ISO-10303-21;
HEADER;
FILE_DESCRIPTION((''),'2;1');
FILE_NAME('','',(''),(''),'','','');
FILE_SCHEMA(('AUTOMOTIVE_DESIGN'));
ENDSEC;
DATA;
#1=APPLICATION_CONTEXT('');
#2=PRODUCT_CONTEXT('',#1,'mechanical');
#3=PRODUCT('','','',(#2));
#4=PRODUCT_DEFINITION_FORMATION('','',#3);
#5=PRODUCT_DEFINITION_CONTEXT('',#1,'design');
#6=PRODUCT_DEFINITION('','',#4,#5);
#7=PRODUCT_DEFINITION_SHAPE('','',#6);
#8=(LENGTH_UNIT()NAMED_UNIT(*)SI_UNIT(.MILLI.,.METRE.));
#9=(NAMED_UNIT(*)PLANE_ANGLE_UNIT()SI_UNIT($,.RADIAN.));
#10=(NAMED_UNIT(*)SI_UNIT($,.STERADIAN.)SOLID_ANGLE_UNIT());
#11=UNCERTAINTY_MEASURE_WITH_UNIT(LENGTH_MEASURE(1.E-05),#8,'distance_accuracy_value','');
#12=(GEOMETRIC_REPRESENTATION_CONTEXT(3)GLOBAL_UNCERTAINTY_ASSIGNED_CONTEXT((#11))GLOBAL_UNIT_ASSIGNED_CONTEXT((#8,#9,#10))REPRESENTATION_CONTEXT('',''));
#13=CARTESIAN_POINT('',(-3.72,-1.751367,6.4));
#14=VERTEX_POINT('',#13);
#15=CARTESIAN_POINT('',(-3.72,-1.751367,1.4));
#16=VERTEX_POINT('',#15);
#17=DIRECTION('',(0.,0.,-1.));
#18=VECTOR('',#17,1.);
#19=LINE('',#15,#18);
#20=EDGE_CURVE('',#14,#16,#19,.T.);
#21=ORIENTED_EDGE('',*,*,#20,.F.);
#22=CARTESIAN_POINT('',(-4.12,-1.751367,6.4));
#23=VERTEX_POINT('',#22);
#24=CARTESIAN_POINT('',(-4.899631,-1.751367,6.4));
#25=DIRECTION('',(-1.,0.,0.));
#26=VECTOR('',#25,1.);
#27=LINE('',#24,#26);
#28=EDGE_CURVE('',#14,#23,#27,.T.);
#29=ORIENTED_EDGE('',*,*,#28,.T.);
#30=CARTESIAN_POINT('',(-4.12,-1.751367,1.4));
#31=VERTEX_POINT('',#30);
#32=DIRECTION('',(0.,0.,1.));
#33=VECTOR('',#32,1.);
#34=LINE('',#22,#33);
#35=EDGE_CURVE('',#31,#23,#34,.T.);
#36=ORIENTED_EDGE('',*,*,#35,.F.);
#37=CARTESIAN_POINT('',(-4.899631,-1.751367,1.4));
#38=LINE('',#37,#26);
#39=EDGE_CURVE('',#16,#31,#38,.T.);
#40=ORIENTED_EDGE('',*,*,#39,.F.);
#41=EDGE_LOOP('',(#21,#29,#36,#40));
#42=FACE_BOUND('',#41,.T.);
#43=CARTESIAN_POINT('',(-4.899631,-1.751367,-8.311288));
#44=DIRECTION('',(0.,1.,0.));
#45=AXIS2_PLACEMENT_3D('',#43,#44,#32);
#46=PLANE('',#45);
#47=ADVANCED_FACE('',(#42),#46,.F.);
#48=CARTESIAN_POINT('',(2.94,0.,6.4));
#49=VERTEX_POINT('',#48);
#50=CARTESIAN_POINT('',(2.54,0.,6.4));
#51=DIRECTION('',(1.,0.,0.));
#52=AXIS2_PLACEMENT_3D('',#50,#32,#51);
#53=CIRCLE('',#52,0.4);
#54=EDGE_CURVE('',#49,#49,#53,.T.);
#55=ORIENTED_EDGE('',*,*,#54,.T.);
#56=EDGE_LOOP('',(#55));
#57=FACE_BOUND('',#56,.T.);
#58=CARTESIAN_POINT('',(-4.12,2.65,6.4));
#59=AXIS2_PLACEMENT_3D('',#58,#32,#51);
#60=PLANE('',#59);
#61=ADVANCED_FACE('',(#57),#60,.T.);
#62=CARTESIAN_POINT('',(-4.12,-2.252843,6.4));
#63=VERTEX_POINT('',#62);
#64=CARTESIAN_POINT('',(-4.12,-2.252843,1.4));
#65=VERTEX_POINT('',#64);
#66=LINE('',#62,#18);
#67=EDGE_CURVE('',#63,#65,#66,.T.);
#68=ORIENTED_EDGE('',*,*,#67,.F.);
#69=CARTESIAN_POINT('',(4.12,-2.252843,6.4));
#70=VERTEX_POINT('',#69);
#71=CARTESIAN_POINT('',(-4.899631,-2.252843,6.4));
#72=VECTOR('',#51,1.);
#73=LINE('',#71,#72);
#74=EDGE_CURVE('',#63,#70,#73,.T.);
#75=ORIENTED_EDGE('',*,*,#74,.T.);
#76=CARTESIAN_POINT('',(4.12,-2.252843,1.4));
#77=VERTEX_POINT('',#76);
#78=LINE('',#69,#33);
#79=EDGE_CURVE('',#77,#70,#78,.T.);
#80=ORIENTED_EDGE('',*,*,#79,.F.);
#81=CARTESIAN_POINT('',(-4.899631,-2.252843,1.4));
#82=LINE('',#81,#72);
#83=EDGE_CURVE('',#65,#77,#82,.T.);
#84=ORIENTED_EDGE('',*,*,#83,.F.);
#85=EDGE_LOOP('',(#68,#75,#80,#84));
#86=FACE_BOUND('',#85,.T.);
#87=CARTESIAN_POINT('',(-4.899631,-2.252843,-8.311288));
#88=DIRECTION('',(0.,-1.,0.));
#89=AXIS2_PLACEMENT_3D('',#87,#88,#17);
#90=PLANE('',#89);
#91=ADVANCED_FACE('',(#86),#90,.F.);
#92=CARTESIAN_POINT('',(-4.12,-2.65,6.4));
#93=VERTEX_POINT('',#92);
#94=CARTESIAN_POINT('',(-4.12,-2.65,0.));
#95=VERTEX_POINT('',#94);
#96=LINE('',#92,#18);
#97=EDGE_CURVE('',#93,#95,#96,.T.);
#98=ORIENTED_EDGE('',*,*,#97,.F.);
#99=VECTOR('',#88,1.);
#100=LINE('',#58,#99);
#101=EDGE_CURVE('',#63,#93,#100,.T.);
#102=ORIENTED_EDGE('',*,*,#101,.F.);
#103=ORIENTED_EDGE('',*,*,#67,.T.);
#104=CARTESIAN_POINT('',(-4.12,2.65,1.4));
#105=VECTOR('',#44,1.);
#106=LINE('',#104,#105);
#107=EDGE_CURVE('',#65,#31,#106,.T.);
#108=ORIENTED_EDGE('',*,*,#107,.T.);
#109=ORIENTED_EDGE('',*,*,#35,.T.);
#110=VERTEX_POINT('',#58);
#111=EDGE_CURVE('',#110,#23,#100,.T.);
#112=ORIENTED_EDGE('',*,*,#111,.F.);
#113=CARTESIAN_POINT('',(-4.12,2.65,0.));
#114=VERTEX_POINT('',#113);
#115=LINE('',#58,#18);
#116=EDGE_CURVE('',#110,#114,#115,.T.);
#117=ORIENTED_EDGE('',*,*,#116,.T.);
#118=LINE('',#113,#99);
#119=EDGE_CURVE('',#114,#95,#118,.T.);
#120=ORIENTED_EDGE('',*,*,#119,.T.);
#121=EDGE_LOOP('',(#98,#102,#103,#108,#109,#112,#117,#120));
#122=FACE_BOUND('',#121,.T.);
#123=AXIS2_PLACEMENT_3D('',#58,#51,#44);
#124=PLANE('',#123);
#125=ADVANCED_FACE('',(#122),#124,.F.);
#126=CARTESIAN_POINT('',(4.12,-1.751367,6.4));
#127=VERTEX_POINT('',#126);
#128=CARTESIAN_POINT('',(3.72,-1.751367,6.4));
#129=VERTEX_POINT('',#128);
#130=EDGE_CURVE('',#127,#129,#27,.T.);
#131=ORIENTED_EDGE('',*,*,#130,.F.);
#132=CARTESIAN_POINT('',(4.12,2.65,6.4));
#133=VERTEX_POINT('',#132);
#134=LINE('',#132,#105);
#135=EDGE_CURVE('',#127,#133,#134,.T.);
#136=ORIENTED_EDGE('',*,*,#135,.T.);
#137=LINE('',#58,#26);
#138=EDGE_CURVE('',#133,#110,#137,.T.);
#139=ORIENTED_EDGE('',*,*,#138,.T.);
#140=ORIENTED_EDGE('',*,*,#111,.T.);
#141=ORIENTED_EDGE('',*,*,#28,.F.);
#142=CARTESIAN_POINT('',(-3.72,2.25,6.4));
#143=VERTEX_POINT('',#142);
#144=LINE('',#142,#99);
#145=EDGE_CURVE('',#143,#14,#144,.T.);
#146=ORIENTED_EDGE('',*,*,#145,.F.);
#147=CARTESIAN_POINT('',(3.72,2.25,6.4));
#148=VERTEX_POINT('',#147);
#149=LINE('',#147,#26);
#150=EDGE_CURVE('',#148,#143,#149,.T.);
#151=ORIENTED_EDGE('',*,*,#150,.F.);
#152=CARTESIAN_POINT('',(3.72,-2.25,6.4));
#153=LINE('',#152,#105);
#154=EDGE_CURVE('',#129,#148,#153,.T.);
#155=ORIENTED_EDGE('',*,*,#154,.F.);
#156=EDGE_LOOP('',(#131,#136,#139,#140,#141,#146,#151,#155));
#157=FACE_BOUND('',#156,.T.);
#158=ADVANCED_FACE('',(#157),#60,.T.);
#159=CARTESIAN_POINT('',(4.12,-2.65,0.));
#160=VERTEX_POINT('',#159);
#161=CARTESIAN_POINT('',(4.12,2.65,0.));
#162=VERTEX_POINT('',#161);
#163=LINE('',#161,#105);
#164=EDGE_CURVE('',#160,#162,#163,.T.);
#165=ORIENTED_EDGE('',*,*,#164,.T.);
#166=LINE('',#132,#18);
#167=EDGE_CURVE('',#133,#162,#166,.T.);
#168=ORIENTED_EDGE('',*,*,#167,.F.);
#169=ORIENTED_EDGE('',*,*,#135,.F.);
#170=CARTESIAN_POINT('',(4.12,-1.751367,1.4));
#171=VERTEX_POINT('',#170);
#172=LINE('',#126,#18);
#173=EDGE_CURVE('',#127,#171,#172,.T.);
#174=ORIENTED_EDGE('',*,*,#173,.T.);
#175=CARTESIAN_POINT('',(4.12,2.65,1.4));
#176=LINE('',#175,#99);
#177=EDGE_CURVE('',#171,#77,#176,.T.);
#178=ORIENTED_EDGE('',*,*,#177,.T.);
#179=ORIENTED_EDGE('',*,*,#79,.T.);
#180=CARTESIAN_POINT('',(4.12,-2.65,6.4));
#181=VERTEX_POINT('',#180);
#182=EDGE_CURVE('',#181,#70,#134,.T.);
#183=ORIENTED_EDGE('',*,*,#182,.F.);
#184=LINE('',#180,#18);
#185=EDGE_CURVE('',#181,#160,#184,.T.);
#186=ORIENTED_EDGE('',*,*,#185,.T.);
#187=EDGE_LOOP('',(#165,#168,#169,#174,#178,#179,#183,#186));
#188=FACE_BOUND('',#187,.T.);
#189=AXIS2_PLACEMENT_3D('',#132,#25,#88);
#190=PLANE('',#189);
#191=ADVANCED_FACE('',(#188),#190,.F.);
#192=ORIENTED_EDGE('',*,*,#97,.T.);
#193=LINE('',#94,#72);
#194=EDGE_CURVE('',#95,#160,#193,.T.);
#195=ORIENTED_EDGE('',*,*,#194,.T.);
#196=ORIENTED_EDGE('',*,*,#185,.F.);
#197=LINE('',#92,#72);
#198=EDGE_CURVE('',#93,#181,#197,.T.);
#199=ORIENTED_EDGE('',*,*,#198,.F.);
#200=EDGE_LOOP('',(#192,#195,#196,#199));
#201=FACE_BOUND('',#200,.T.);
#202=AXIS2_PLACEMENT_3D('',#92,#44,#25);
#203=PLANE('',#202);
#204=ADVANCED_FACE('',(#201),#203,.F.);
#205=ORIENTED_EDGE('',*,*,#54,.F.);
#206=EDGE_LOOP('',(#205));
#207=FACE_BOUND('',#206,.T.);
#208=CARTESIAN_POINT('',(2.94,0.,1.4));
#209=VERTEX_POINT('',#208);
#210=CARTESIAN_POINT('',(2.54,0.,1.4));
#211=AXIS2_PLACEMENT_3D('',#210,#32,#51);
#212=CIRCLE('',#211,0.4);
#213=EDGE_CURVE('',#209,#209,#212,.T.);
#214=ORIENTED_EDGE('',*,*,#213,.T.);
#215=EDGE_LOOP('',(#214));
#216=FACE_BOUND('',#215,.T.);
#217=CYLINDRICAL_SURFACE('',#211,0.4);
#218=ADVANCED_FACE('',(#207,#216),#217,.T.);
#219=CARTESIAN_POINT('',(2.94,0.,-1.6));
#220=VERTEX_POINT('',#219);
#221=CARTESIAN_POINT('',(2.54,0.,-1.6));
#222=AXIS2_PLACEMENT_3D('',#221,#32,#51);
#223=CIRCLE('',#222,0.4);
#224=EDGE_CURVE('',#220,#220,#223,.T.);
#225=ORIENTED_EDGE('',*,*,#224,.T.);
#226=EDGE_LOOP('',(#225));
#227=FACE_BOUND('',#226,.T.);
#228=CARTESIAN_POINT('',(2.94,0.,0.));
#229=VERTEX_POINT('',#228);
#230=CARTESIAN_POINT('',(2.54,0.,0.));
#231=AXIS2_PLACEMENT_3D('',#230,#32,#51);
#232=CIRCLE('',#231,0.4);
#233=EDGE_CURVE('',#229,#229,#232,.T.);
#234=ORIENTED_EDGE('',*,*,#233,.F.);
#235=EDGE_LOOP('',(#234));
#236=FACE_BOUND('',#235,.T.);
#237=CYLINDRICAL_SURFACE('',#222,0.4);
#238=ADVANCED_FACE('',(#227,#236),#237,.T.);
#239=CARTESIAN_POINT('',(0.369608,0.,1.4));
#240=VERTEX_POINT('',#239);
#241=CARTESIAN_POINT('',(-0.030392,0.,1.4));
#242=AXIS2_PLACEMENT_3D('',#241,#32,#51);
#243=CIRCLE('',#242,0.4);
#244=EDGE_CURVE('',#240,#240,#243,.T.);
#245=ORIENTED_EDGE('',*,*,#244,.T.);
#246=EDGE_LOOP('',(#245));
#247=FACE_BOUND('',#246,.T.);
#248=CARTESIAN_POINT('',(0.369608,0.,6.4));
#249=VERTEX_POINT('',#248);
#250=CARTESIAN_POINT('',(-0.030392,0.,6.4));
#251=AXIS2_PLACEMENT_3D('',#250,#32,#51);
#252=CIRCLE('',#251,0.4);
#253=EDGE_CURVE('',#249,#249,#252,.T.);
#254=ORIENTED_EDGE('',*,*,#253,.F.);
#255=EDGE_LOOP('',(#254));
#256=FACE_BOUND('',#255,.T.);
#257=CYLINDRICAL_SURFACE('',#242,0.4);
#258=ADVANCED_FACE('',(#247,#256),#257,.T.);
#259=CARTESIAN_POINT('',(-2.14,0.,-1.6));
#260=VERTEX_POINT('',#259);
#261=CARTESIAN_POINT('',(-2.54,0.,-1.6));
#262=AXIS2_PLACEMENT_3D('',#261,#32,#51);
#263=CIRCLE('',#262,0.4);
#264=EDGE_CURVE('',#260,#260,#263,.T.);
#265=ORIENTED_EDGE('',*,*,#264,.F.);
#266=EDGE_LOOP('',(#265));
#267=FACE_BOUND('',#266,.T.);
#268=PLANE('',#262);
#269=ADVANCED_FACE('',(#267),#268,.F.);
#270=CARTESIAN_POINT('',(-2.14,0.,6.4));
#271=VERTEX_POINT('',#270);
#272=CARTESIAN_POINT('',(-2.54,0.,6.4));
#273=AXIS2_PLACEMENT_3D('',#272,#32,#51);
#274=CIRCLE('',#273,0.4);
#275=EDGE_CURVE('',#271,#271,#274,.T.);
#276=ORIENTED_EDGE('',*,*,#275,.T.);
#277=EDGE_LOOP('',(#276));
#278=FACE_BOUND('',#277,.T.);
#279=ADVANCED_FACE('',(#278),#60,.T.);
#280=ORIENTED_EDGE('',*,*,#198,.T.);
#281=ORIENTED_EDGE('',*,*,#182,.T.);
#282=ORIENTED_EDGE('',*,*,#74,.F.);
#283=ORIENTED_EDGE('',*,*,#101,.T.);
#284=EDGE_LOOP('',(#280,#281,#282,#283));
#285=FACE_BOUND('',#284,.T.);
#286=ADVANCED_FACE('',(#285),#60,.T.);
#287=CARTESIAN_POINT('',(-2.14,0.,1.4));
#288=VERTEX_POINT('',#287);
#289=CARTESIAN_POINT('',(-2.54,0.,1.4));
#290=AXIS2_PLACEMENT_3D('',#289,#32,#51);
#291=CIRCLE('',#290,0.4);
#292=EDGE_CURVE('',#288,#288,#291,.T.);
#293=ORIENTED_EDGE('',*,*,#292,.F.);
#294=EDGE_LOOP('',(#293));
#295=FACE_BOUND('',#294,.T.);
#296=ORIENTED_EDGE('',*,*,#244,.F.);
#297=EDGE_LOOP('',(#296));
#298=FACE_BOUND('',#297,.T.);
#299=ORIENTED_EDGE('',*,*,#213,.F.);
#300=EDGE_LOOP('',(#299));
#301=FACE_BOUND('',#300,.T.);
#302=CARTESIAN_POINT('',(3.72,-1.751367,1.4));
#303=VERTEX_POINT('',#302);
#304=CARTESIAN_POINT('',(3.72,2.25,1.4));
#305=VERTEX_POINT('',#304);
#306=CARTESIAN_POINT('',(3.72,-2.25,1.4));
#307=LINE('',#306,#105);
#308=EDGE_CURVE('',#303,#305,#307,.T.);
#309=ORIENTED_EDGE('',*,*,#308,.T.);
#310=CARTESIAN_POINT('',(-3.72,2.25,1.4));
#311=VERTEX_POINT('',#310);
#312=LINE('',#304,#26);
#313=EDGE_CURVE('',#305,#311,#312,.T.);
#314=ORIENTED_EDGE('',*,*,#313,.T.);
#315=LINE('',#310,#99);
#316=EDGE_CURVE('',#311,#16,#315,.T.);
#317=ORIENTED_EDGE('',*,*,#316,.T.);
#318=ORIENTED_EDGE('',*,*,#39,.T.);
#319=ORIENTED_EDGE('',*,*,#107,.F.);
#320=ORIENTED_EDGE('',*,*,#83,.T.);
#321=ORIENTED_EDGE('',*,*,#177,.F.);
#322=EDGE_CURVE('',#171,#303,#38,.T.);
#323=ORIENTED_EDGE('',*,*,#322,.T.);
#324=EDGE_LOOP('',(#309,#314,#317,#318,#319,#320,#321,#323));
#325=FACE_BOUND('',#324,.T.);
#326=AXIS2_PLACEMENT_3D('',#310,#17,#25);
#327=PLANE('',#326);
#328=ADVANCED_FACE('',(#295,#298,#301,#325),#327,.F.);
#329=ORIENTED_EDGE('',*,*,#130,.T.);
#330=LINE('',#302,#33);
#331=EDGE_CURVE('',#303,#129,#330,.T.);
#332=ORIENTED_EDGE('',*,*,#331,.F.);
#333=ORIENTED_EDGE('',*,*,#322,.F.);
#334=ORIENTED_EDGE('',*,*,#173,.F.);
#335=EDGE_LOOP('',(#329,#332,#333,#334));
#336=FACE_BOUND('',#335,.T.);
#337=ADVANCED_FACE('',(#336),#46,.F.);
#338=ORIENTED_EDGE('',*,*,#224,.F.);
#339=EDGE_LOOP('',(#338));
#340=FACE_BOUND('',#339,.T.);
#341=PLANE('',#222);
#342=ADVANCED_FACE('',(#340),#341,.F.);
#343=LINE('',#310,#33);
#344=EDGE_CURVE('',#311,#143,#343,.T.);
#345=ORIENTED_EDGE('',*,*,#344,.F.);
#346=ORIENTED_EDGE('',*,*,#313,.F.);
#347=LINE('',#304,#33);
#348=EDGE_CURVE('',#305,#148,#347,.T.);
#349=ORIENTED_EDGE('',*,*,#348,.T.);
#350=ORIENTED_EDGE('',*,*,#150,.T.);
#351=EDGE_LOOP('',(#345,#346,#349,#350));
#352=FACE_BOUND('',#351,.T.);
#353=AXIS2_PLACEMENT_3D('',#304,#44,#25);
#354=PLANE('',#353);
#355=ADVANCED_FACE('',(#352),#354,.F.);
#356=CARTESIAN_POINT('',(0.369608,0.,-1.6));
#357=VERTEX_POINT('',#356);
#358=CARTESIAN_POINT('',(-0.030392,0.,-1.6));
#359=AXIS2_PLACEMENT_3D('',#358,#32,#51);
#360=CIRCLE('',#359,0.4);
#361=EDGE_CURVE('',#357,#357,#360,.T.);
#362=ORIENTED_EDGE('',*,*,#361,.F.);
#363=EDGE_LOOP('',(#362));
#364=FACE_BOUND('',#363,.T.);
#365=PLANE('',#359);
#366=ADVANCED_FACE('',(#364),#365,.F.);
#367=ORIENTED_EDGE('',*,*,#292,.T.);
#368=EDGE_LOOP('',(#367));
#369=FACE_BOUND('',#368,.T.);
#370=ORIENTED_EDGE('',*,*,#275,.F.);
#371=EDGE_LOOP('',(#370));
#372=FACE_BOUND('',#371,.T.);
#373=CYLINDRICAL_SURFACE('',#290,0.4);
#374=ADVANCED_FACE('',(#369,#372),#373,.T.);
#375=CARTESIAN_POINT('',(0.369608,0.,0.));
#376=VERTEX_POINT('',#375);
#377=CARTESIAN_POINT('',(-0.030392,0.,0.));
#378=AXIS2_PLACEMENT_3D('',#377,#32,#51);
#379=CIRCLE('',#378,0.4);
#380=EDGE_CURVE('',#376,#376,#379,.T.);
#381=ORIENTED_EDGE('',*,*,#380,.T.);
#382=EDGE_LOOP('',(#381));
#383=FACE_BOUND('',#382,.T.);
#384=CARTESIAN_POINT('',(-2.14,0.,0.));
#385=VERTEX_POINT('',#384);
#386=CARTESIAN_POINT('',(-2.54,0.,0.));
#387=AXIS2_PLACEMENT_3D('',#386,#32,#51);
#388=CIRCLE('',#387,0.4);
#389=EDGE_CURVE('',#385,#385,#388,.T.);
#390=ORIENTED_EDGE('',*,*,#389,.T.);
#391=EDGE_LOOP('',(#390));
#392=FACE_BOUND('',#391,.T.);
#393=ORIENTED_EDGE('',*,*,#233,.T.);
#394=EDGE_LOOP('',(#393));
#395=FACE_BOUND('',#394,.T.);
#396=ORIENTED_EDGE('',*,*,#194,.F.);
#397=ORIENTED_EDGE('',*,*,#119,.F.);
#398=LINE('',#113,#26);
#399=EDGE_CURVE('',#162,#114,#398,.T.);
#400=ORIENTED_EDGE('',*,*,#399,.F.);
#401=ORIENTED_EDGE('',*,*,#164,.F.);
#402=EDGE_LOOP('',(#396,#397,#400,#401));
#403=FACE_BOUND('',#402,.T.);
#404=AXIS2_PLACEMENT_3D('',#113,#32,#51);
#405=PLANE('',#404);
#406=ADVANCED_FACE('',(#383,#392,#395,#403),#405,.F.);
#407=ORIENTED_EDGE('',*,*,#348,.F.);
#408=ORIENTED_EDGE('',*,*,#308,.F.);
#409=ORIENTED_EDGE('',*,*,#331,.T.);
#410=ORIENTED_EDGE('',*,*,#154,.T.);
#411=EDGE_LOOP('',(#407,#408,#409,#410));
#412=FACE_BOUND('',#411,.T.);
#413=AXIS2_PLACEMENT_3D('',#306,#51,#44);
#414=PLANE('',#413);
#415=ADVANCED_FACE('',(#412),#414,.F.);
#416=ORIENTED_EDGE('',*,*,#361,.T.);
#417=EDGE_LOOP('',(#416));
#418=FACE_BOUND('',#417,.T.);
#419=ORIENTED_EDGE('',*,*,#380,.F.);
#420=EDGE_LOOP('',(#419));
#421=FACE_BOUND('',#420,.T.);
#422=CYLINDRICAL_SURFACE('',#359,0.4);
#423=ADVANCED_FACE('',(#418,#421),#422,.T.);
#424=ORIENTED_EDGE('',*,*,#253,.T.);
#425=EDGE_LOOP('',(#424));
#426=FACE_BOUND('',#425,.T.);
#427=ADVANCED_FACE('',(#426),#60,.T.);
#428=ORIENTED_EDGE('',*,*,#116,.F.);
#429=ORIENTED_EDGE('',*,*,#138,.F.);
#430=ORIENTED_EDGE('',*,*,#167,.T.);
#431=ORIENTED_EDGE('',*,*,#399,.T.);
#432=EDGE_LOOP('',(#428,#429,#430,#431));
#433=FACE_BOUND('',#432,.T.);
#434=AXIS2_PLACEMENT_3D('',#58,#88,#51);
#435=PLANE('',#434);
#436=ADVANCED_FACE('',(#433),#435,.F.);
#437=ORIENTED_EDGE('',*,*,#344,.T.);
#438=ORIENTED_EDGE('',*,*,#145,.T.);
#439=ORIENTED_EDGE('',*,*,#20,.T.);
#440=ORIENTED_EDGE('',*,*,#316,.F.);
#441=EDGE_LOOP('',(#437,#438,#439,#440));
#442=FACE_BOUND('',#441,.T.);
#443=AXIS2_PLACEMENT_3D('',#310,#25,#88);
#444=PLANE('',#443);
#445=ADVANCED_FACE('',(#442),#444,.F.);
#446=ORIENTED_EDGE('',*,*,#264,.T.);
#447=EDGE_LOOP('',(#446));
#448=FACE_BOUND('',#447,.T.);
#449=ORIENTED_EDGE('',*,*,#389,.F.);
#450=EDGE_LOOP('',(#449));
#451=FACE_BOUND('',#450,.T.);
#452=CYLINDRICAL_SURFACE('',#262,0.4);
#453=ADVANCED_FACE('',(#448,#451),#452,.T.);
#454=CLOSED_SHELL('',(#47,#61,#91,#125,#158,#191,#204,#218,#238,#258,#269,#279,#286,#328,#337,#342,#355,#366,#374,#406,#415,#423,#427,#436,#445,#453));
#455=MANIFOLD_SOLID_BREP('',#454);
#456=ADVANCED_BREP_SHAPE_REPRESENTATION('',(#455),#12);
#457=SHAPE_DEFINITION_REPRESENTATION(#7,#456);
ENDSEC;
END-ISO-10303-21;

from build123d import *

# Parameters (mm, degrees)
SKETCH_1_W          = 8.24
SKETCH_1_H          = 5.3
EXTRUDE_1_DEPTH     = 6.4
SKETCH_2_W          = 7.44
SKETCH_2_H          = 4.5
SKETCH_2_R          = 0.4
CUT_EXTRUDE_1_DEPTH = 5
SKETCH_3_W          = 9.698331409
SKETCH_3_H          = 0.501475964
CUT_EXTRUDE_2_DEPTH = 5
SKETCH_4_R          = 0.4
EXTRUDE_2_DEPTH     = 8


with BuildPart() as part:
    # Эскиз1 → Вытянуть1 (new body)
    with BuildSketch(Plane.XY):
        Rectangle(SKETCH_1_W, SKETCH_1_H)
    extrude(amount=EXTRUDE_1_DEPTH)

    # Эскиз2 → Вырез-Вытянуть1 (cut)
    with BuildSketch(Plane.XY.offset(6.4)):
        Rectangle(SKETCH_2_W, SKETCH_2_H)
        with Locations((-2.54, 0)):
            Circle(SKETCH_2_R, mode=Mode.SUBTRACT)
        with Locations((2.54, 0)):
            Circle(SKETCH_2_R, mode=Mode.SUBTRACT)
        with Locations((-0.030392483, 0)):
            Circle(SKETCH_2_R, mode=Mode.SUBTRACT)
    extrude(amount=-CUT_EXTRUDE_1_DEPTH, mode=Mode.SUBTRACT)

    # Эскиз3 → Вырез-Вытянуть2 (cut)
    with BuildSketch(Plane.XY.offset(6.4)):
        with Locations((-0.050465246, -2.002104797)):
            Rectangle(SKETCH_3_W, SKETCH_3_H)
    extrude(amount=-CUT_EXTRUDE_2_DEPTH, mode=Mode.SUBTRACT)

    # Эскиз4 → Вытянуть2 (add)
    with BuildSketch(Plane.XY.offset(6.4)):
        with Locations((-2.54, 0)):
            Circle(SKETCH_4_R)
        with Locations((2.54, 0)):
            Circle(SKETCH_4_R)
        with Locations((-0.030392483, 0)):
            Circle(SKETCH_4_R)
    extrude(amount=-EXTRUDE_2_DEPTH)


solid = part.part
